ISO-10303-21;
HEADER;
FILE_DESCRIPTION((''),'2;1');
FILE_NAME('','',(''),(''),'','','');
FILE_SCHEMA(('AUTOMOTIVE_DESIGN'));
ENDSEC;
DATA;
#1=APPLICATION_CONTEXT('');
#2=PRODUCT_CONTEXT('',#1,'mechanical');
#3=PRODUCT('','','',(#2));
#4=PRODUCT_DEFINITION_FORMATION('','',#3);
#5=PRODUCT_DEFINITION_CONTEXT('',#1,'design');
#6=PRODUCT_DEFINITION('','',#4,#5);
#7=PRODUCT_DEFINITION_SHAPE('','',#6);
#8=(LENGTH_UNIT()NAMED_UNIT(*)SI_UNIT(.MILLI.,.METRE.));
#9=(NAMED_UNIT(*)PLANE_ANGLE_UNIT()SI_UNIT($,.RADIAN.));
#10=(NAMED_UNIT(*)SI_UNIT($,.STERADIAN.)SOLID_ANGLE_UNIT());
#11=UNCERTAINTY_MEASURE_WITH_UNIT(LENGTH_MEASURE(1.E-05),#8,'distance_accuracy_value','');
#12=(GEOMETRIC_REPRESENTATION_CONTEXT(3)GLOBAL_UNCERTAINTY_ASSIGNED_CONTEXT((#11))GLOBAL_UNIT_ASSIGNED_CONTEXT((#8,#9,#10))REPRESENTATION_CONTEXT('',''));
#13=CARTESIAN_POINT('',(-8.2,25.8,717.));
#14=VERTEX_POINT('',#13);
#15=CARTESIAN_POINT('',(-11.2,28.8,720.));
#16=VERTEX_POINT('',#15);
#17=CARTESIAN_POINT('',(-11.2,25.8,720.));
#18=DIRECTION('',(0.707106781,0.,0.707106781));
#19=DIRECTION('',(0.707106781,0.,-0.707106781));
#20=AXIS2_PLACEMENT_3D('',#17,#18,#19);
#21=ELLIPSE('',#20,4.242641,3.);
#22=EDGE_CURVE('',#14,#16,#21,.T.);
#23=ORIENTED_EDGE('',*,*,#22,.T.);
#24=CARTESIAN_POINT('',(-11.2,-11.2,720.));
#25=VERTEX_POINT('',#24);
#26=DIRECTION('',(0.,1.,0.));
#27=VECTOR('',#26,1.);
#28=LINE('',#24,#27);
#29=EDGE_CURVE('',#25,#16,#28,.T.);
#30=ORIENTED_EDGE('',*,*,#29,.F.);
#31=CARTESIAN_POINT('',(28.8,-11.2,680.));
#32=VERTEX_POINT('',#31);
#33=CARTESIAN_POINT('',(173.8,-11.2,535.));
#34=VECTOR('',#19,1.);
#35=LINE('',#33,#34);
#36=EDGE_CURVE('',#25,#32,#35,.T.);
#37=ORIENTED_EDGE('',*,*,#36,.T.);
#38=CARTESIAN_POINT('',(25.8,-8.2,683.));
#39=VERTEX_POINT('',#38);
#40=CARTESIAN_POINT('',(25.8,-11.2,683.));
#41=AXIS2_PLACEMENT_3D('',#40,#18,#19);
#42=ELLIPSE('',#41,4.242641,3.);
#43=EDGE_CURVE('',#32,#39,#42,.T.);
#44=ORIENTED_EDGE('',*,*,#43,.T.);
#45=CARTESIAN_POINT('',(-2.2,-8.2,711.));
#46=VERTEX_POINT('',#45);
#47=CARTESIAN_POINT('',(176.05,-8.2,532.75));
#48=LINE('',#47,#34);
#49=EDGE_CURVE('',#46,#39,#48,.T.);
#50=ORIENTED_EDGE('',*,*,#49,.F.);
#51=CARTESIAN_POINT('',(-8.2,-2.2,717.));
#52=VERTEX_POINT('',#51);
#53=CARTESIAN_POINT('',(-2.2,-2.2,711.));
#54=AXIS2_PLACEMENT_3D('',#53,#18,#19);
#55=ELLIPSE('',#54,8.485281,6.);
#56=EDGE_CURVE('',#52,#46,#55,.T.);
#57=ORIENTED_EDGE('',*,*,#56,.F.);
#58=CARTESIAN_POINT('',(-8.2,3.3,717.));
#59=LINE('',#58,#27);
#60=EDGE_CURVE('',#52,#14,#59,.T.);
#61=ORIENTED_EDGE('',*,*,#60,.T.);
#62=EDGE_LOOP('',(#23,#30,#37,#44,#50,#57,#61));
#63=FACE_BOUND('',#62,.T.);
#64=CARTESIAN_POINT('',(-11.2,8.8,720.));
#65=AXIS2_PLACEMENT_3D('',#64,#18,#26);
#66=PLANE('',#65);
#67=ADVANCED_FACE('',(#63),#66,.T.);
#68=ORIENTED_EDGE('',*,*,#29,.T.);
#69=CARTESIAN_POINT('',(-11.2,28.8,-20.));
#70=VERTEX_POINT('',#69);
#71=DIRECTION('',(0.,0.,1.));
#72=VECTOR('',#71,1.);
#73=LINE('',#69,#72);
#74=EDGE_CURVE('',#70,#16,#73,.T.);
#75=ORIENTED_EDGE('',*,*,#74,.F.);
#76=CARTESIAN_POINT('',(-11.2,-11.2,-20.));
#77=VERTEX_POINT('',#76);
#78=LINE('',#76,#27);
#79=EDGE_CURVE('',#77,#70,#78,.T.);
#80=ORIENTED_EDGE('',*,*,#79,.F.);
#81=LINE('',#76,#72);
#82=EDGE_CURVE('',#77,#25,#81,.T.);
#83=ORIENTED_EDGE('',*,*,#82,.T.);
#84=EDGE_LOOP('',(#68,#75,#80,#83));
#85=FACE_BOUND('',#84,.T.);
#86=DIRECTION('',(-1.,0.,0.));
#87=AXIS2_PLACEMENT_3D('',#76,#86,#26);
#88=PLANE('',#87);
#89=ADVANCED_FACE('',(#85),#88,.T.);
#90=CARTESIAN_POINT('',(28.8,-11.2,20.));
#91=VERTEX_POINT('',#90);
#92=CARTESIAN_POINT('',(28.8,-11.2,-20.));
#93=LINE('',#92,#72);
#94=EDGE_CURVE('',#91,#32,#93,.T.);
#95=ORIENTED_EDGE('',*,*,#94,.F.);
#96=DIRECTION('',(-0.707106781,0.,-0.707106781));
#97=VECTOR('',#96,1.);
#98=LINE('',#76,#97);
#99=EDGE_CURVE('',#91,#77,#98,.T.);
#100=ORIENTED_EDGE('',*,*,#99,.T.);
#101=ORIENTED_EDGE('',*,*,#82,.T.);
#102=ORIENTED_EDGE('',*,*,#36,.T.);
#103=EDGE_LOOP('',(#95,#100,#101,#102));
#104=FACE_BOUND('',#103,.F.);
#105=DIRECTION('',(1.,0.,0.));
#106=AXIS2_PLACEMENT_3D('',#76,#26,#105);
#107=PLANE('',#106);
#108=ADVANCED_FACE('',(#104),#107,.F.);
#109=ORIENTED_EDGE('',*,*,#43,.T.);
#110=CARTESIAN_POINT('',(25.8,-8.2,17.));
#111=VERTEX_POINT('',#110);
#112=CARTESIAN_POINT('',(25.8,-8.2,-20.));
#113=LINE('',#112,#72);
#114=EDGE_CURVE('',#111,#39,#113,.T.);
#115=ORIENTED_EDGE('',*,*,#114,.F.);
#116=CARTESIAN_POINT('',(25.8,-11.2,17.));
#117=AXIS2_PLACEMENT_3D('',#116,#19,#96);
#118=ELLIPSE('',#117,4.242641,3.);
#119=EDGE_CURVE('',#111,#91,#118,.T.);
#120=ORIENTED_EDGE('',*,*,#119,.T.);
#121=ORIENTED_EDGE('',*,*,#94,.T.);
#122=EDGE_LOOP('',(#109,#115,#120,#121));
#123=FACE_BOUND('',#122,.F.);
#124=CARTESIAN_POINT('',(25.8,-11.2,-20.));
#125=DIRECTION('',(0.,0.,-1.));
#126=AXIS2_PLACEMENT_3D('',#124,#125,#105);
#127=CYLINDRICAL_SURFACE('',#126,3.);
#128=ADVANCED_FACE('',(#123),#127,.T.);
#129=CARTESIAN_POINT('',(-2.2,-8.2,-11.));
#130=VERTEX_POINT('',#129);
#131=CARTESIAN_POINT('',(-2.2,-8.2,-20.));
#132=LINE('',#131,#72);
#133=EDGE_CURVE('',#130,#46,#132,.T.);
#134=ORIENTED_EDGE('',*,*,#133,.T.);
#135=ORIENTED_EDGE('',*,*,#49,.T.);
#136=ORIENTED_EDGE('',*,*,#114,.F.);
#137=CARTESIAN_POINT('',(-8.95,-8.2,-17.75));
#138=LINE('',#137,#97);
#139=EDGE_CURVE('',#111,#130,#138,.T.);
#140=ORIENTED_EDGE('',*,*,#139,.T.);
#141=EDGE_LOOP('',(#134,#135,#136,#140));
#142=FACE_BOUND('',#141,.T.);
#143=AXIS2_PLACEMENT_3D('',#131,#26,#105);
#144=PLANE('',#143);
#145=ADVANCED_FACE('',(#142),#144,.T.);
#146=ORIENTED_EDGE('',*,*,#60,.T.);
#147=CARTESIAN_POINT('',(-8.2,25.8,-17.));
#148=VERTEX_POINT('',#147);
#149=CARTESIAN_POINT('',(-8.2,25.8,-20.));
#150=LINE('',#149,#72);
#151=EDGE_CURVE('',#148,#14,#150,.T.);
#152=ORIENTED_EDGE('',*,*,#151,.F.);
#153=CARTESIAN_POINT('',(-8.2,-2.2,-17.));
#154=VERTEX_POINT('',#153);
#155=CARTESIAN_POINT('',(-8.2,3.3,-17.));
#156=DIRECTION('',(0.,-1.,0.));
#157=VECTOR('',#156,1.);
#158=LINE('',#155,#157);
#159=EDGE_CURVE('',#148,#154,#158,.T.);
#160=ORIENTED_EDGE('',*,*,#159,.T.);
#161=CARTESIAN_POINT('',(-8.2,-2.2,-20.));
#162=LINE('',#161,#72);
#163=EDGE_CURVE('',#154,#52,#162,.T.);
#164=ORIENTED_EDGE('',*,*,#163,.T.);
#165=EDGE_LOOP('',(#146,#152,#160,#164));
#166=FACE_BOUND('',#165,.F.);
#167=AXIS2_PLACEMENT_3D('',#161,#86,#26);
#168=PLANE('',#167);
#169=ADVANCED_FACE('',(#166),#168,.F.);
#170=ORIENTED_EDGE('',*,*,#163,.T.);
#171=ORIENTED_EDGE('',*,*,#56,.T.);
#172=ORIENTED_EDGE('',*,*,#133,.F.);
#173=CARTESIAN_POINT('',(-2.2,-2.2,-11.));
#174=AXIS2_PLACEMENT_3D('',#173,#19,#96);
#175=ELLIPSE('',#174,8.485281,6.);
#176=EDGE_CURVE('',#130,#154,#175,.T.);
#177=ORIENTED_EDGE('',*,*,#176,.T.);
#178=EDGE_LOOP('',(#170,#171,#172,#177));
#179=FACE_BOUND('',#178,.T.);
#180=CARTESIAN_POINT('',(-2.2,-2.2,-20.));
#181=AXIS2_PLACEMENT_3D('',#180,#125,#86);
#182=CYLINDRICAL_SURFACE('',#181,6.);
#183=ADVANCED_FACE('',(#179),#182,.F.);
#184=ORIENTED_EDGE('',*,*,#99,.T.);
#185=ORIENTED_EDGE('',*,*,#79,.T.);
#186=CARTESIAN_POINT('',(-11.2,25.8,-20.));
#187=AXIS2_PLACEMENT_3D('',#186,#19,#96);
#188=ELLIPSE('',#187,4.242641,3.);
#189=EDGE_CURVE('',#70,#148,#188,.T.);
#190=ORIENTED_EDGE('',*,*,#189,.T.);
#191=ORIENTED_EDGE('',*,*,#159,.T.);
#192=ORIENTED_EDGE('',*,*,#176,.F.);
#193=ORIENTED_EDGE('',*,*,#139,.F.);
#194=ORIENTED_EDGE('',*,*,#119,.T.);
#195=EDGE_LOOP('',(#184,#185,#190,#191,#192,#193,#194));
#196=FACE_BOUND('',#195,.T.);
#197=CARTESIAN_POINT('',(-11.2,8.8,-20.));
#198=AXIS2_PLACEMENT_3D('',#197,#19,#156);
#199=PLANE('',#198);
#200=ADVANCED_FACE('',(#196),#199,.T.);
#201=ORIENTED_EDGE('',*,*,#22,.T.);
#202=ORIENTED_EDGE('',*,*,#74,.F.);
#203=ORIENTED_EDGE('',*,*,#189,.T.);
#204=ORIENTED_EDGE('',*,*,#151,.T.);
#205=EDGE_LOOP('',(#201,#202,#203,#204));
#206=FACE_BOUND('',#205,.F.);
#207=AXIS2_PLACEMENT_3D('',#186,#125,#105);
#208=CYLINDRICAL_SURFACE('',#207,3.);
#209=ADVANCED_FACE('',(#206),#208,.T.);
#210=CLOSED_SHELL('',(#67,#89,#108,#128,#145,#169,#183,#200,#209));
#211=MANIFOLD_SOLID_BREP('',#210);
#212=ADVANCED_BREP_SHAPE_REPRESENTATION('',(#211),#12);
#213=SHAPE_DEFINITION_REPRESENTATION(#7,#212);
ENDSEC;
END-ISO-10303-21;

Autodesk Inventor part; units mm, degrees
ref_plane "Start plane" through (0, 0, -20) normal (0, 0, 1) x (1, 0, 0)
ref_plane "End plane" through (0, 0, 720) normal (0, 0, 1) x (1, 0, 0)
sketch "Sketch2" plane through (0, 0, 0) normal (0, 0, 1) x (1, 0, 0)
  line L0 (-8.2, -2.2) -> (-8.2, 25.8)
  line L1 (-11.2, 28.8) -> (-11.2, 28.8)
  line L2 (-11.2, -11.2) -> (-11.2, 28.8)
  line L3 (-11.2, -11.2) -> (28.8, -11.2)
  line L4 (28.8, -11.2) -> (28.8, -11.2)
  line L5 (-2.2, -8.2) -> (25.8, -8.2)
  arc A0 (-8.2, -2.2) -> (-2.2, -8.2) centre (-2.2, -2.2) ccw
  arc A1 (-8.2, 25.8) -> (-11.2, 28.8) centre (-11.2, 25.8) ccw
  arc A2 (28.8, -11.2) -> (25.8, -8.2) centre (25.8, -11.2) ccw
  line L6 (0, 37.5456) -> (0, -19.3243) construction
  line L7 (-19.3243, 0) -> (37.5456, 0) construction
  point P0 (-8.2, -8.2)
  point P1 (-8.2, 28.8)
  point P2 (28.8, -8.2)
  dimension "d4" = 40
  dimension "d6" = 40
  dimension "d8" = 3
  dimension "d10" = 3
  dimension "d17" = 6
  dimension "d18" = 3
  dimension "d19" = 11.2
  dimension "d20" = 11.2
extrude "Body" add sketch "Sketch2" along normal up to surface (740 mm away) from surface at -20
sketch "Sketch3" plane through (0, 0, 0) normal (0, 0, 1) x (1, 0, 0)
  line L0 (0, 0) -> (10, 0)
ref_plane "Work Plane10" through (0, 0, 0) normal (0, -1, 0) x (1, 0, 0)
sketch "Sketch4" plane through (0, 0, 0) normal (0, -1, 0) x (1, 0, 0)
  line L0 (-2, -20) -> (12, -20)
  line L1 (-2, 720) -> (12, 720)
  dimension "d24" = 740
ref_plane "Work Plane11" through (-11.2, 8.8, -20) normal (0.7071, 0, -0.7071) x (-0.7071, 0, -0.7071)
split "Split1" plane through (-11.2, 8.8, -20) removes the side toward (0.7071, 0, -0.7071)
ref_plane "Work Plane12" through (-11.2, 8.8, 720) normal (0.7071, 0, 0.7071) x (0.7071, 0, -0.7071)
split "Split2" plane through (-11.2, 8.8, 720) removes the side toward (0.7071, 0, 0.7071)
equation "\"d4\" = b"
equation "\"d6\" = b"
equation "\"d8\" = ParT"
equation "\"d10\" = ParT"
equation "\"d17\" = R"
equation "\"d18\" = R1"
equation "\"d19\" = ex"
equation "\"d20\" = d19"
equation "\"d11\" = G_L"
equation "\"b\" = 40"
equation "\"ParT\" = 3"
equation "\"R\" = 6"
equation "\"R1\" = 3"
equation "\"G_L\" = d24"
equation "\"ex\" = 11.2"
equation "\"G_OFFSET_START\" = 20"
equation "\"G_OFFSET_END\" = 20"
equation "\"d21\" = -G_OFFSET_START"
equation "\"d22\" = G_OFFSET_END + B_L"
equation "\"B_L\" = 700"
properties part number "ISO 657-1 - L40x40x3-740" material "Steel, Mild"
